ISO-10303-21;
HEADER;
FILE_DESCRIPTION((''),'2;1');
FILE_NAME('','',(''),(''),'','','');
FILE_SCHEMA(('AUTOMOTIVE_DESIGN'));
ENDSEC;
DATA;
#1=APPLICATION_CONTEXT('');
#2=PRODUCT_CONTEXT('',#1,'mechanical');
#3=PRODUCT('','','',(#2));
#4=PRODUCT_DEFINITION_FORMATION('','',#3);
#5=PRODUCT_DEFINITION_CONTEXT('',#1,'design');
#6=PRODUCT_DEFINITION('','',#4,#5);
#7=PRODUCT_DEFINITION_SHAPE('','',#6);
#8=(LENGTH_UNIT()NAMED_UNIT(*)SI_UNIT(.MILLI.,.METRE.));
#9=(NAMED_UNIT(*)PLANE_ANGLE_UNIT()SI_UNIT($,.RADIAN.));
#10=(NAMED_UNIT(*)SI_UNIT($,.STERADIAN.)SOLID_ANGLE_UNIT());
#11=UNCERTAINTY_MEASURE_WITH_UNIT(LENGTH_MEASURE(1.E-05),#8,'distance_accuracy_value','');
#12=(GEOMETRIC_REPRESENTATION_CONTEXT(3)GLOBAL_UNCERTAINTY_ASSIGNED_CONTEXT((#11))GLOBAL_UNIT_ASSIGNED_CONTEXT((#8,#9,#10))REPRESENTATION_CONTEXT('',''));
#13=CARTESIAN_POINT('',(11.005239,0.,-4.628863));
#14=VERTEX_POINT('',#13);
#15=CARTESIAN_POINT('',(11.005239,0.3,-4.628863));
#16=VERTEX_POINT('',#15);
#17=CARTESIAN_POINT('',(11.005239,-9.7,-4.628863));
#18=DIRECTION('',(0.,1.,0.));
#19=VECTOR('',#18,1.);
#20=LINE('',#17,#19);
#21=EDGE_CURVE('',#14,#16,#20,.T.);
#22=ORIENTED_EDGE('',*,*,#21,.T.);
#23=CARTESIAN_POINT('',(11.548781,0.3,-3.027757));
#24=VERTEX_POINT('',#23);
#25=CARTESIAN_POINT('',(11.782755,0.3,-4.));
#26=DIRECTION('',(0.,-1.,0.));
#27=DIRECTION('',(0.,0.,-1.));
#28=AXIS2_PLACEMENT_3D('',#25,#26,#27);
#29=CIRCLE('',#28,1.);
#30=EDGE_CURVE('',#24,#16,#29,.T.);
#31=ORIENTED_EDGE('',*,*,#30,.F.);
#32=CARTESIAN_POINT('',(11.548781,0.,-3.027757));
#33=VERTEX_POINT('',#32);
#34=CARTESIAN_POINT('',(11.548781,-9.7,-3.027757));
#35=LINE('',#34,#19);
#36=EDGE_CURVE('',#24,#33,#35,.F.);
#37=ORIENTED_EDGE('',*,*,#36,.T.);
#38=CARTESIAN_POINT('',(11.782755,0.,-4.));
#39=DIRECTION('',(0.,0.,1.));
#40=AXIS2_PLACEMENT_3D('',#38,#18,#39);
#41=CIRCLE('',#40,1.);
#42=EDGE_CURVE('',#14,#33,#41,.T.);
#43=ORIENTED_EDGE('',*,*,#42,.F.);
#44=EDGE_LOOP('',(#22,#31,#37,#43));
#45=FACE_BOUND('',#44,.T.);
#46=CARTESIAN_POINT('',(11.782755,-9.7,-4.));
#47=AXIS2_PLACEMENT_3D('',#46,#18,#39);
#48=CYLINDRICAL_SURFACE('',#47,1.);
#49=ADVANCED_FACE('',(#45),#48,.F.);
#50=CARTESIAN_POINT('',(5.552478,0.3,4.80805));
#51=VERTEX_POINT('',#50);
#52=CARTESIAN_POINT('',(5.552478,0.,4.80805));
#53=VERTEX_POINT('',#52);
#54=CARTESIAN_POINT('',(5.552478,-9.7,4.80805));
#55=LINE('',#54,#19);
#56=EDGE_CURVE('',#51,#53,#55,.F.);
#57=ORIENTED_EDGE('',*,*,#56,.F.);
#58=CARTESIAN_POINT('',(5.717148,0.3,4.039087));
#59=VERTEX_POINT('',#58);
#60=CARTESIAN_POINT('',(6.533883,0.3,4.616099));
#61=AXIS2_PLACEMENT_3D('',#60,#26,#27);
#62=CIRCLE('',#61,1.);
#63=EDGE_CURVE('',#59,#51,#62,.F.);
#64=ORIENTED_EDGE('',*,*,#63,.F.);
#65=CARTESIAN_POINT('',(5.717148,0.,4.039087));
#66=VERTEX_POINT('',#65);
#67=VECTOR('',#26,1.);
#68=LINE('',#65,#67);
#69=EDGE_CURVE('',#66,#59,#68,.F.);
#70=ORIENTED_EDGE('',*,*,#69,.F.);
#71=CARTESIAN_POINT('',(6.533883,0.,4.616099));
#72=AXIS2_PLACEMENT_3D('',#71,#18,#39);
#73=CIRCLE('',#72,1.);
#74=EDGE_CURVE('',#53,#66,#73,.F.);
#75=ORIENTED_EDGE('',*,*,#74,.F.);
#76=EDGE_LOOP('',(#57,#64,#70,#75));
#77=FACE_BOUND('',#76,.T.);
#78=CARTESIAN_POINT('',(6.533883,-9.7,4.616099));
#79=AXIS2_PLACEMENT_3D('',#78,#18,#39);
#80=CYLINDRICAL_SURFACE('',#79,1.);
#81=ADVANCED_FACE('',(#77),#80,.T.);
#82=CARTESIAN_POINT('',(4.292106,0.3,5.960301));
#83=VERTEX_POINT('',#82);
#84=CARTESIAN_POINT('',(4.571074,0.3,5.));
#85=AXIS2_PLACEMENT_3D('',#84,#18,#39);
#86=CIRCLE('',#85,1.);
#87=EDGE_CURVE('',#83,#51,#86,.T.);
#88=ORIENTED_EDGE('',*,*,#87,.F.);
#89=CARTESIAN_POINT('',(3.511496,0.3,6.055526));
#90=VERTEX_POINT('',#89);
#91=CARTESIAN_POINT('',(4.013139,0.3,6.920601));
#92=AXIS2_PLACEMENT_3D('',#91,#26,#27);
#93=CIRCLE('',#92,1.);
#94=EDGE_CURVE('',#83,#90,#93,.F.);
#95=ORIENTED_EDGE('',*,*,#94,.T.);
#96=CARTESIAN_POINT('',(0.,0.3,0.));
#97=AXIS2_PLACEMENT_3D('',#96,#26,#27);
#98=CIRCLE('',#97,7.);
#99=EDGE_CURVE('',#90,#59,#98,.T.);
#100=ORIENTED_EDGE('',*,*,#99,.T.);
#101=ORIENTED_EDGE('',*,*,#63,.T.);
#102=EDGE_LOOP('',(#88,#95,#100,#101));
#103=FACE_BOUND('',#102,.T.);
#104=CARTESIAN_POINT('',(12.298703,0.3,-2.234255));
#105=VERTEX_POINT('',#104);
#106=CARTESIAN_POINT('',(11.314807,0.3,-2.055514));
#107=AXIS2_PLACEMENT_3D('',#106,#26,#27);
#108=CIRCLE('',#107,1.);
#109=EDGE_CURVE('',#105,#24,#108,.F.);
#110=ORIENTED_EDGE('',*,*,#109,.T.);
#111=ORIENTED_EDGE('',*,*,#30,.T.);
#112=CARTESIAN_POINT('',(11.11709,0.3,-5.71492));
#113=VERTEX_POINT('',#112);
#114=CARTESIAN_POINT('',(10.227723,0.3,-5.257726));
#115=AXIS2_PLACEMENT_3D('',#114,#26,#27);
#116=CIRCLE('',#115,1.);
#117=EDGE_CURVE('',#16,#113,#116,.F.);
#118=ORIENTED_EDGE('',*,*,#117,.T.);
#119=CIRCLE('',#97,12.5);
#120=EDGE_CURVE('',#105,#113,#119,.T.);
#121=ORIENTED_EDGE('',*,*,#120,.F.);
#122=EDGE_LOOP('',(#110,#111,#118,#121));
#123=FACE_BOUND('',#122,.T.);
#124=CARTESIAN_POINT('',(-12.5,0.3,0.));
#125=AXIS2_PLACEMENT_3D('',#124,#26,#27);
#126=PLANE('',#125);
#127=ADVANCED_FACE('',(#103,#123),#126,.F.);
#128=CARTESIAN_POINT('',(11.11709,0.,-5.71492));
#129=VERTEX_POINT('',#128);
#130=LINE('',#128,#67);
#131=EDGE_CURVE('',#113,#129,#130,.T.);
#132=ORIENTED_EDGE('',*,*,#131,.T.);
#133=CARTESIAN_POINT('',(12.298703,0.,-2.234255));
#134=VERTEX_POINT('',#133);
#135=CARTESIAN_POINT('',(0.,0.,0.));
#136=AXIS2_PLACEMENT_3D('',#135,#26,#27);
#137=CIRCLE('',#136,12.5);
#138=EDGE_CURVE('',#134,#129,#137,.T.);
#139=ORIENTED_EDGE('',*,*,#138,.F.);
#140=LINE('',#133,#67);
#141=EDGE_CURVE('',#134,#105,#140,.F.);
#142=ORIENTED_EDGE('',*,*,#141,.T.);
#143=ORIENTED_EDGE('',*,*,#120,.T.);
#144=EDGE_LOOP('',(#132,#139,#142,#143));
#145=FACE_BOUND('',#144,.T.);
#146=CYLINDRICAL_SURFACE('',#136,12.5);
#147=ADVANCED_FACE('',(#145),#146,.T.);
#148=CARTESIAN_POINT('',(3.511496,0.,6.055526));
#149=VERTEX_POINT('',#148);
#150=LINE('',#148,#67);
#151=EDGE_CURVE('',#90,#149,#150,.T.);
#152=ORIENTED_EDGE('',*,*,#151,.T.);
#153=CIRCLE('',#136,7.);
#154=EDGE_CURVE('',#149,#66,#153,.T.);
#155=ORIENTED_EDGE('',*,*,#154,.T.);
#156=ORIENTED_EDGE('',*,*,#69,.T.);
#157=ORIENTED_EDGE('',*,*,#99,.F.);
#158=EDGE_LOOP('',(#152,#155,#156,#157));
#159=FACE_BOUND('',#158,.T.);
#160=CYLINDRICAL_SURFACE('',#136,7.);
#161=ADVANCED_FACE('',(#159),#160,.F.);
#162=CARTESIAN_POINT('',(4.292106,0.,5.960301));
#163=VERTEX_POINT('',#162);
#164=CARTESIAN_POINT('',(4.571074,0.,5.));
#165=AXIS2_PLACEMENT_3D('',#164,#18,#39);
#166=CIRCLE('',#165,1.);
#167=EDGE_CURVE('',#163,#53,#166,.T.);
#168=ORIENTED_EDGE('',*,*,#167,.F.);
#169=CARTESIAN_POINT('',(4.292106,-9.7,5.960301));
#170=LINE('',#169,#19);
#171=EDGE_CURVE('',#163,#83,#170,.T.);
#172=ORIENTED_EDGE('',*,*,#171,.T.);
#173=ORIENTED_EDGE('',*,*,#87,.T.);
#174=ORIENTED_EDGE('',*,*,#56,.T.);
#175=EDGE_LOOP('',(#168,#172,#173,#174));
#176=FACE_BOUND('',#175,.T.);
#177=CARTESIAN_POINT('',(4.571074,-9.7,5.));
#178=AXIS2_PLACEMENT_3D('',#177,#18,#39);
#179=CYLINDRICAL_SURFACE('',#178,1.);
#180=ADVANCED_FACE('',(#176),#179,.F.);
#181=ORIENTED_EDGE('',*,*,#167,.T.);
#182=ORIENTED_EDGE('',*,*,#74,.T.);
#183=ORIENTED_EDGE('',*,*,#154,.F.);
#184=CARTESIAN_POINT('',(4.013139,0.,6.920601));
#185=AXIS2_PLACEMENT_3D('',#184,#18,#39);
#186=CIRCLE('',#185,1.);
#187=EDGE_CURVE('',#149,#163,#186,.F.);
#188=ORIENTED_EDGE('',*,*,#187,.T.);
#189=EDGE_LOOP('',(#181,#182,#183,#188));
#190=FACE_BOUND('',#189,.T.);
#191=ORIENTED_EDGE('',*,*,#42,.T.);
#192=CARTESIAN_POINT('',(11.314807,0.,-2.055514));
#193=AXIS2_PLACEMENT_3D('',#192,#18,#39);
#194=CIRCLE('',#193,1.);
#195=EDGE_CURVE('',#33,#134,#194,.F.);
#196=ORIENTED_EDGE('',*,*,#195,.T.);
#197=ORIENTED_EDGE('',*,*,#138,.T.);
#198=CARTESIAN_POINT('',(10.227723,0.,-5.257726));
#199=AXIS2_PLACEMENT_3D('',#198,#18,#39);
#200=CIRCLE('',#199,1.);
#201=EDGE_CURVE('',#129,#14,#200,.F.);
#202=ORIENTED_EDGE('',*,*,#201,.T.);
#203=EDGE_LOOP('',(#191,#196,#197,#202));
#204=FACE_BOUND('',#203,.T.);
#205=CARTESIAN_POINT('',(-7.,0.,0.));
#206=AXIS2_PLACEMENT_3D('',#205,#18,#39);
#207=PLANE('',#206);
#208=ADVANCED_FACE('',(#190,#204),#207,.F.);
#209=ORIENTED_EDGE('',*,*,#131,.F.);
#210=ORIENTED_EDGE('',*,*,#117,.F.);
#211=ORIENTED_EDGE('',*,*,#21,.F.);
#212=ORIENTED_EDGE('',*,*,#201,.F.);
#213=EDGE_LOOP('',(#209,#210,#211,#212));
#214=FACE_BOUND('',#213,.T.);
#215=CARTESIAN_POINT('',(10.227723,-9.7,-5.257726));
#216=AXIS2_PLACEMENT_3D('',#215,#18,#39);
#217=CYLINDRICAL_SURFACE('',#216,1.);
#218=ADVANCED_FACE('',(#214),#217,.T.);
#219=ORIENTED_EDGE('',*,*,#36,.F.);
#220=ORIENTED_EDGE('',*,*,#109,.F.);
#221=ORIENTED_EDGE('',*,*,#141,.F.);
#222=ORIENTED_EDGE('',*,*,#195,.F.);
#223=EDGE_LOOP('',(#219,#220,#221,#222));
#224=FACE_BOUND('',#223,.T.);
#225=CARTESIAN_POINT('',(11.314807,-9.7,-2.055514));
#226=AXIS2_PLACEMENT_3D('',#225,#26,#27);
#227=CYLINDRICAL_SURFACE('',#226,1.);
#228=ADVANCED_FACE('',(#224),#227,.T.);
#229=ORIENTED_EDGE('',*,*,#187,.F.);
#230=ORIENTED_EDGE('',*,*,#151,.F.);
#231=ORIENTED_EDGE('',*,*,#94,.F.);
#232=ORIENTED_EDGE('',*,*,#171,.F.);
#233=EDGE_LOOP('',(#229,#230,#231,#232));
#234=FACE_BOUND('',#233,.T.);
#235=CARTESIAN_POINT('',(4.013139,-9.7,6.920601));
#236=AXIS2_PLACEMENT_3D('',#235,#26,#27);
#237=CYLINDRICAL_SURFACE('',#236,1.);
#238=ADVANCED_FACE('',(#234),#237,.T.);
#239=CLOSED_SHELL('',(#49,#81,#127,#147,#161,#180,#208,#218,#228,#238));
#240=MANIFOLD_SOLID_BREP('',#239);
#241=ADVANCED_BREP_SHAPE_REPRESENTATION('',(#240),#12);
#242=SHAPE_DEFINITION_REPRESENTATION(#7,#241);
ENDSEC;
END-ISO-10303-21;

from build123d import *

# Parameters (mm, degrees)
SKETCH1_W          = 5.5
SKETCH1_H          = 0.3
SKETCH2_R          = 1
CUT_EXTRUDE1_DEPTH = 10
FILLET1_R          = 1


with BuildPart() as part:
    # Sketch1 → Revolve1 (revolve)
    with BuildSketch(Plane.XY, mode=Mode.PRIVATE) as revolve1_sk:
        with Locations((-9.75, 0.15)):
            Rectangle(SKETCH1_W, SKETCH1_H)
    revolve(revolve1_sk.sketch.rotate(Axis((0, 0, 0), (0, 1, 0)), 270), axis=Axis((0, 0, 0), (0, 1, 0)))

    # Sketch2 → Cut-Extrude1 (cut)
    with BuildSketch(Plane(origin=(0, 0.3, 0), x_dir=(1, 0, 0), z_dir=(0, 1, 0))):
        with Locations((4.571073678, -5)):
            Circle(SKETCH2_R)
        with Locations((11.782754706, 4.000000001)):
            Circle(SKETCH2_R)
    extrude(amount=-CUT_EXTRUDE1_DEPTH, mode=Mode.SUBTRACT)

    # Fillet1
    fillet1_edges = [part.edges().sort_by_distance(p)[0] for p in [
        (5.405006845, 0.15, 4.448134553),
        (3.946825109, 0.15, 5.781225783),
        (12.120025306, 0.15, -3.058592256),
        (11.47719417, 0.15, -4.952172652),
    ]]
    fillet(fillet1_edges, radius=FILLET1_R)


solid = part.part
